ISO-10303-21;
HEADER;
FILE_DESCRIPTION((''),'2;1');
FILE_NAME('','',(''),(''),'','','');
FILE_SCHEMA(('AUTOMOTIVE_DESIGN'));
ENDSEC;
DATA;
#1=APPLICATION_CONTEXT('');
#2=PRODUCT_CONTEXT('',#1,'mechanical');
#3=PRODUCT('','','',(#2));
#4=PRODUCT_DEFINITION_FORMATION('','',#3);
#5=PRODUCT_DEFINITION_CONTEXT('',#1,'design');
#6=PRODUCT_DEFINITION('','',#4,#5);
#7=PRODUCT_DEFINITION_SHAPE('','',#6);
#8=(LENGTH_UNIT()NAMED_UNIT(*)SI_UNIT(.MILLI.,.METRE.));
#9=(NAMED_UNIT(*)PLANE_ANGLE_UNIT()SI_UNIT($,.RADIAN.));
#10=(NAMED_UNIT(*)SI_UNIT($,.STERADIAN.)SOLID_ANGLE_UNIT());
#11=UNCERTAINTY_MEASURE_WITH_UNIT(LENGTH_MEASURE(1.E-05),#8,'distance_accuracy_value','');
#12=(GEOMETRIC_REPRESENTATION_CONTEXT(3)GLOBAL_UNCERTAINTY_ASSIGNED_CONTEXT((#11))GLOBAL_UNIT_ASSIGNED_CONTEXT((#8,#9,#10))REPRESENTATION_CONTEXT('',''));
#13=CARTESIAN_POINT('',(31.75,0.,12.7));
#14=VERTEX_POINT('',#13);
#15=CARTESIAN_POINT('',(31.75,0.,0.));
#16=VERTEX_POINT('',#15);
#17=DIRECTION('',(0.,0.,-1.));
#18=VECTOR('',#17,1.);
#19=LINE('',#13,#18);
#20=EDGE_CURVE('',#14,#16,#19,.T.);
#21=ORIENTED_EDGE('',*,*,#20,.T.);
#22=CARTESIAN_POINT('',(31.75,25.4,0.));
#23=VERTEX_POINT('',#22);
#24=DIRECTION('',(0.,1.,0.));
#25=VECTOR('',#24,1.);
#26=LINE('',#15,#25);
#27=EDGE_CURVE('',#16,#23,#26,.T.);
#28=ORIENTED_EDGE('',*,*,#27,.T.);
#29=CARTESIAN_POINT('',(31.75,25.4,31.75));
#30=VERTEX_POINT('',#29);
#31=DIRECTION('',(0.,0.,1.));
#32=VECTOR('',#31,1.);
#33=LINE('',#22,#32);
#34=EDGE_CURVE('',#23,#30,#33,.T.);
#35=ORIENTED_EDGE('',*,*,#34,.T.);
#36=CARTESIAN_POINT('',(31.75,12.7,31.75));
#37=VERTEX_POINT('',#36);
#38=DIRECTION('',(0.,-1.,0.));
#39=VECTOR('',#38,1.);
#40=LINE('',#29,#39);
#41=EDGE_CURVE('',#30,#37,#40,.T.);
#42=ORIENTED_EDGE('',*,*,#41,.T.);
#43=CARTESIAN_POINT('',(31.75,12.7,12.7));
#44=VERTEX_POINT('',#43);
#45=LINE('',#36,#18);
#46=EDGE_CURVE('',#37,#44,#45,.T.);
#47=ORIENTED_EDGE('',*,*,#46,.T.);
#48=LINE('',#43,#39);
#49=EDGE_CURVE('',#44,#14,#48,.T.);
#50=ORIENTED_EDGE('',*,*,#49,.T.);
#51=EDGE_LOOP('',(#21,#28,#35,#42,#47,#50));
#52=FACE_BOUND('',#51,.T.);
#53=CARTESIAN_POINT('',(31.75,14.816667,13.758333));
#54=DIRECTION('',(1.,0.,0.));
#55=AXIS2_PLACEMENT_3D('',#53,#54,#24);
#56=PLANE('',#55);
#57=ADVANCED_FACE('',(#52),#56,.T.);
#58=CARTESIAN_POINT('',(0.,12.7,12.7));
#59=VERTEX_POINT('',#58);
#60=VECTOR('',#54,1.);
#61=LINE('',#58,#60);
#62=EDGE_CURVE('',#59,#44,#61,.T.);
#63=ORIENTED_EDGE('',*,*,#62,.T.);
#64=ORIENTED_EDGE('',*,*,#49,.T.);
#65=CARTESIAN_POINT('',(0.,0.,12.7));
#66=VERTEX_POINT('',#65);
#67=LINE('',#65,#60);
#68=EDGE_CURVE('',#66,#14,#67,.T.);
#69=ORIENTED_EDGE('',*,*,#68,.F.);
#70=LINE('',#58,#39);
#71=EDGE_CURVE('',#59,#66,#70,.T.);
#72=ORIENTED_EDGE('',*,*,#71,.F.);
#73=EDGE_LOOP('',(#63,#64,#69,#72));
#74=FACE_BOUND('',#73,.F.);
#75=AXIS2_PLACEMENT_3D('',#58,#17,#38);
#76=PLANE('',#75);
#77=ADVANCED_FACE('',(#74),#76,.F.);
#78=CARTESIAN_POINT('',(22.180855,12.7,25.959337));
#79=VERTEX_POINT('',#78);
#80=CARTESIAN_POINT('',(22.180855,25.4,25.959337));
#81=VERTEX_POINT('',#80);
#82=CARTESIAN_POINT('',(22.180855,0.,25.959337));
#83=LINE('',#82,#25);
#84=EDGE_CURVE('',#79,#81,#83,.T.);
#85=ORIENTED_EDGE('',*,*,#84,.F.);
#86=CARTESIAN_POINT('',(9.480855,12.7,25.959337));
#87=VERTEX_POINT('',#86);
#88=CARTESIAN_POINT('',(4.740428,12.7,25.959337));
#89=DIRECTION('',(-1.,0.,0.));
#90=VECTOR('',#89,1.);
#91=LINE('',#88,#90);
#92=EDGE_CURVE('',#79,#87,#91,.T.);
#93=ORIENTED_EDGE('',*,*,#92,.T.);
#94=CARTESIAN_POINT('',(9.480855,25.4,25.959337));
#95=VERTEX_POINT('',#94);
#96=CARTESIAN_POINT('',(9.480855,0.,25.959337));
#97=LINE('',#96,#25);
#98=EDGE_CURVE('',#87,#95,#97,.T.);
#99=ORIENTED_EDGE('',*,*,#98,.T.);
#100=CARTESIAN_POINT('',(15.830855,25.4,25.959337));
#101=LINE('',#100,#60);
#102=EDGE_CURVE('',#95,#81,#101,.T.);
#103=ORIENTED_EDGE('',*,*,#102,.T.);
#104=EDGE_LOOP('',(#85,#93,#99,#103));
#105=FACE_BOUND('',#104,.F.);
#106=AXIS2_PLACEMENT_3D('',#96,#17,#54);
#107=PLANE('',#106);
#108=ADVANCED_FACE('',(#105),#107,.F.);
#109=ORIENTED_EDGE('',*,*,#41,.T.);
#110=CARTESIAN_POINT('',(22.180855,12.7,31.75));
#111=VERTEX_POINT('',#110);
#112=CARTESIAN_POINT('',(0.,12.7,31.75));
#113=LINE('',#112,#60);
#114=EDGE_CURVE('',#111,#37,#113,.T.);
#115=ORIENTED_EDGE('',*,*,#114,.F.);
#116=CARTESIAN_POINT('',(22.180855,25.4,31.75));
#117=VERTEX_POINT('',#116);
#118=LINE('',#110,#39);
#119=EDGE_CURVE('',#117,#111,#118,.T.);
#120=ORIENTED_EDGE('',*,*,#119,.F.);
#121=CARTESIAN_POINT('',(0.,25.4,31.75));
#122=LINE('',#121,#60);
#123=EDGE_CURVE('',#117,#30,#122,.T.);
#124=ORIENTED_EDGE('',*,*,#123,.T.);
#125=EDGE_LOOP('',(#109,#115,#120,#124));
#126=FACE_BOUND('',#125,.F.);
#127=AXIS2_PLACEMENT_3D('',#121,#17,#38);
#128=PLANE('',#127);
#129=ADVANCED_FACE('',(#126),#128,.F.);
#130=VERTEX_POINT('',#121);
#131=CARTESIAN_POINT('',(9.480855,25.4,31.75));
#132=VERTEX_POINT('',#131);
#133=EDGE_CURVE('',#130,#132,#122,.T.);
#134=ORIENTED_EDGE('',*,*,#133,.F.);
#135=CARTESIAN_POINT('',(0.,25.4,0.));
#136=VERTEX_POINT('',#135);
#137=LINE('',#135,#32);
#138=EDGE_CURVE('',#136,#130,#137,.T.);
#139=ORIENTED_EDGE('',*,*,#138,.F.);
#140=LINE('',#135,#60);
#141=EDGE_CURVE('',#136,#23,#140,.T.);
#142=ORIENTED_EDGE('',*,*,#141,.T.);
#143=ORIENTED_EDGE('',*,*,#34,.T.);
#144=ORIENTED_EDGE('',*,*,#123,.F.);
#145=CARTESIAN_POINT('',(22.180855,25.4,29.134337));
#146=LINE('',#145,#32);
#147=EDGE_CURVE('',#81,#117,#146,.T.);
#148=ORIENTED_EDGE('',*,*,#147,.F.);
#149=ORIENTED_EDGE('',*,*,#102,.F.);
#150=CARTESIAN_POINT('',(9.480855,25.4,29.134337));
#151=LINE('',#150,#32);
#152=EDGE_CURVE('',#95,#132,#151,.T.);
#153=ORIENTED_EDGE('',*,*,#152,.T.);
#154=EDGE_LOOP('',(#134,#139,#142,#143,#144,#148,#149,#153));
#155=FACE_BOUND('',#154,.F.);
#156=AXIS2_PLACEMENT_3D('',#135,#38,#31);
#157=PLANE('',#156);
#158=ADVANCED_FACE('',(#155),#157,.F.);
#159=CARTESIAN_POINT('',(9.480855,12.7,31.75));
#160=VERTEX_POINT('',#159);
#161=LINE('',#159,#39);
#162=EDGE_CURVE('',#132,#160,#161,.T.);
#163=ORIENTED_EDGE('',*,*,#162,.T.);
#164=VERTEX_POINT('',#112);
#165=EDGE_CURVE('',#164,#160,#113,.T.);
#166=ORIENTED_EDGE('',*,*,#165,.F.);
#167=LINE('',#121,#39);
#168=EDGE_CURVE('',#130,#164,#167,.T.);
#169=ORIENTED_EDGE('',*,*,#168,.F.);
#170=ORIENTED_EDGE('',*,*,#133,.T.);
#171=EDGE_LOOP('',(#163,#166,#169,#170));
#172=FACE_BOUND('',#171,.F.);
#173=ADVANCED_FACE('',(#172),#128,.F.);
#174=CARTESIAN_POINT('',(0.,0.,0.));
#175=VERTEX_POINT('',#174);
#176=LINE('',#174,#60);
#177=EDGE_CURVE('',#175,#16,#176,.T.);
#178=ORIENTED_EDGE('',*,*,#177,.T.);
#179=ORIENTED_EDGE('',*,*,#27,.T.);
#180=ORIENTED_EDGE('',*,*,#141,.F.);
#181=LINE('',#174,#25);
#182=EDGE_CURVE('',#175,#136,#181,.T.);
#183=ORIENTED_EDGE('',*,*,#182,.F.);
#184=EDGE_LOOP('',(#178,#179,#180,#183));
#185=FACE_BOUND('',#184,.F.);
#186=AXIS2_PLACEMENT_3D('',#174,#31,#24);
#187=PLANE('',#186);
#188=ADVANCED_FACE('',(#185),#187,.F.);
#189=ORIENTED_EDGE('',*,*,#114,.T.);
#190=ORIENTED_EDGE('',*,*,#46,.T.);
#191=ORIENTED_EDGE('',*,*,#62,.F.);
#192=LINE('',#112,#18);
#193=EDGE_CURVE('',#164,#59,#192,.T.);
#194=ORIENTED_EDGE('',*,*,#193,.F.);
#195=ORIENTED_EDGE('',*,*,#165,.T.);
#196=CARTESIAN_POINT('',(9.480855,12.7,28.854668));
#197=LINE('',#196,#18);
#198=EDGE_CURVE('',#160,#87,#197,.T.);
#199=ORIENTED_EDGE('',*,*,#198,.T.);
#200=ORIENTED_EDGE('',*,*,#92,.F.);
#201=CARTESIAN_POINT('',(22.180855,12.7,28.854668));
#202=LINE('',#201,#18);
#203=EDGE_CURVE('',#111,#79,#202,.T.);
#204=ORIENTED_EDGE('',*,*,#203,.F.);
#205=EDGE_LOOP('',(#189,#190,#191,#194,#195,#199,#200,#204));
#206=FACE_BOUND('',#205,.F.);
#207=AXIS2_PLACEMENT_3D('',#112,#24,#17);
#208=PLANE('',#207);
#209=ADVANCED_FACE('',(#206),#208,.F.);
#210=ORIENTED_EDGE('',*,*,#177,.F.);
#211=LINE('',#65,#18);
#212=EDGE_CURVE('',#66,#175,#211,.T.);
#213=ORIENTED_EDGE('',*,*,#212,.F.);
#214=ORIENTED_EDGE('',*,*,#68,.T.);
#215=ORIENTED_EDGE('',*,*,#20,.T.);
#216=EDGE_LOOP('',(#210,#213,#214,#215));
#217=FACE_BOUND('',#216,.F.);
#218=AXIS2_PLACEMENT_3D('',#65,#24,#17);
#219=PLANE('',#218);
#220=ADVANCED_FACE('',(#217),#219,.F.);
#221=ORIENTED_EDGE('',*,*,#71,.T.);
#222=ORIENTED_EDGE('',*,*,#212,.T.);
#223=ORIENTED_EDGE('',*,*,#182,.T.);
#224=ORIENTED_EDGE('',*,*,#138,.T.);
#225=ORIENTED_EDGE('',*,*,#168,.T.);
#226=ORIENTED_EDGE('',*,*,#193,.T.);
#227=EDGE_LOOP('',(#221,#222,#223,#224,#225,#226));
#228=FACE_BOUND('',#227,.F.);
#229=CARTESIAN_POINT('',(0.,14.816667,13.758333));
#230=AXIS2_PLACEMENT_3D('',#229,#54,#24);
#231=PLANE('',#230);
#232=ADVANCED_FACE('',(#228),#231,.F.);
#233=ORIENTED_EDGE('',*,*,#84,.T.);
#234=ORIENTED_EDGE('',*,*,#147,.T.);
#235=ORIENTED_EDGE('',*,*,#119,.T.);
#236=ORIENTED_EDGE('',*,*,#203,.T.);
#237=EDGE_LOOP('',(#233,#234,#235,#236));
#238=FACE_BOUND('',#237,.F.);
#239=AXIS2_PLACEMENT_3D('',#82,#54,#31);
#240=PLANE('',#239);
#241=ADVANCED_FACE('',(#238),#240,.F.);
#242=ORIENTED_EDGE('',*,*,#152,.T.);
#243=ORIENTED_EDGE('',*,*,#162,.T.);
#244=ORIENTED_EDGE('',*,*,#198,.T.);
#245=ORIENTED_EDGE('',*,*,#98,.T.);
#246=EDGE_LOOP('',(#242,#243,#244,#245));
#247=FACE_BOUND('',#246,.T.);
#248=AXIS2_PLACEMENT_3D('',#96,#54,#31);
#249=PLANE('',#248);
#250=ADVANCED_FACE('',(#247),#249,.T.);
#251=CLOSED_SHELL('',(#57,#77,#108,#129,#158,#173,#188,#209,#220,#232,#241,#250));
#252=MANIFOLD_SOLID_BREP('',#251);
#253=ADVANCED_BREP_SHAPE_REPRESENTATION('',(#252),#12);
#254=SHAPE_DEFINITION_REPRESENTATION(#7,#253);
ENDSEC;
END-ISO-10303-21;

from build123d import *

# Parameters (mm, degrees)
F1_DEPTH = 31.75
F2_W     = 12.7
F2_H     = 6.35
F3_DEPTH = 25.4
F4_DEPTH = 25.4


with BuildPart() as f1:
    # F0 (on Right) → F1 (new body)
    with BuildSketch(Plane.YZ):
        Polygon((0, 12.7), (0, 0), (25.4, 0), (25.4, 31.75), (12.7, 31.75), (12.7, 12.7), align=None)
    extrude(amount=F1_DEPTH)

    # F2 (on Front) → F3 (cut)
    with BuildSketch(Plane.XZ):
        with Locations((15.830855, 29.134337)):
            Rectangle(F2_W, F2_H)
    extrude(amount=-F3_DEPTH, mode=Mode.SUBTRACT)

    # F2 (on Front) → F4 (cut)
    with BuildSketch(Plane.XZ):
        with Locations((15.830855, 29.134337)):
            Rectangle(F2_W, F2_H)
    extrude(amount=-F4_DEPTH, mode=Mode.SUBTRACT)


solid = f1.part
